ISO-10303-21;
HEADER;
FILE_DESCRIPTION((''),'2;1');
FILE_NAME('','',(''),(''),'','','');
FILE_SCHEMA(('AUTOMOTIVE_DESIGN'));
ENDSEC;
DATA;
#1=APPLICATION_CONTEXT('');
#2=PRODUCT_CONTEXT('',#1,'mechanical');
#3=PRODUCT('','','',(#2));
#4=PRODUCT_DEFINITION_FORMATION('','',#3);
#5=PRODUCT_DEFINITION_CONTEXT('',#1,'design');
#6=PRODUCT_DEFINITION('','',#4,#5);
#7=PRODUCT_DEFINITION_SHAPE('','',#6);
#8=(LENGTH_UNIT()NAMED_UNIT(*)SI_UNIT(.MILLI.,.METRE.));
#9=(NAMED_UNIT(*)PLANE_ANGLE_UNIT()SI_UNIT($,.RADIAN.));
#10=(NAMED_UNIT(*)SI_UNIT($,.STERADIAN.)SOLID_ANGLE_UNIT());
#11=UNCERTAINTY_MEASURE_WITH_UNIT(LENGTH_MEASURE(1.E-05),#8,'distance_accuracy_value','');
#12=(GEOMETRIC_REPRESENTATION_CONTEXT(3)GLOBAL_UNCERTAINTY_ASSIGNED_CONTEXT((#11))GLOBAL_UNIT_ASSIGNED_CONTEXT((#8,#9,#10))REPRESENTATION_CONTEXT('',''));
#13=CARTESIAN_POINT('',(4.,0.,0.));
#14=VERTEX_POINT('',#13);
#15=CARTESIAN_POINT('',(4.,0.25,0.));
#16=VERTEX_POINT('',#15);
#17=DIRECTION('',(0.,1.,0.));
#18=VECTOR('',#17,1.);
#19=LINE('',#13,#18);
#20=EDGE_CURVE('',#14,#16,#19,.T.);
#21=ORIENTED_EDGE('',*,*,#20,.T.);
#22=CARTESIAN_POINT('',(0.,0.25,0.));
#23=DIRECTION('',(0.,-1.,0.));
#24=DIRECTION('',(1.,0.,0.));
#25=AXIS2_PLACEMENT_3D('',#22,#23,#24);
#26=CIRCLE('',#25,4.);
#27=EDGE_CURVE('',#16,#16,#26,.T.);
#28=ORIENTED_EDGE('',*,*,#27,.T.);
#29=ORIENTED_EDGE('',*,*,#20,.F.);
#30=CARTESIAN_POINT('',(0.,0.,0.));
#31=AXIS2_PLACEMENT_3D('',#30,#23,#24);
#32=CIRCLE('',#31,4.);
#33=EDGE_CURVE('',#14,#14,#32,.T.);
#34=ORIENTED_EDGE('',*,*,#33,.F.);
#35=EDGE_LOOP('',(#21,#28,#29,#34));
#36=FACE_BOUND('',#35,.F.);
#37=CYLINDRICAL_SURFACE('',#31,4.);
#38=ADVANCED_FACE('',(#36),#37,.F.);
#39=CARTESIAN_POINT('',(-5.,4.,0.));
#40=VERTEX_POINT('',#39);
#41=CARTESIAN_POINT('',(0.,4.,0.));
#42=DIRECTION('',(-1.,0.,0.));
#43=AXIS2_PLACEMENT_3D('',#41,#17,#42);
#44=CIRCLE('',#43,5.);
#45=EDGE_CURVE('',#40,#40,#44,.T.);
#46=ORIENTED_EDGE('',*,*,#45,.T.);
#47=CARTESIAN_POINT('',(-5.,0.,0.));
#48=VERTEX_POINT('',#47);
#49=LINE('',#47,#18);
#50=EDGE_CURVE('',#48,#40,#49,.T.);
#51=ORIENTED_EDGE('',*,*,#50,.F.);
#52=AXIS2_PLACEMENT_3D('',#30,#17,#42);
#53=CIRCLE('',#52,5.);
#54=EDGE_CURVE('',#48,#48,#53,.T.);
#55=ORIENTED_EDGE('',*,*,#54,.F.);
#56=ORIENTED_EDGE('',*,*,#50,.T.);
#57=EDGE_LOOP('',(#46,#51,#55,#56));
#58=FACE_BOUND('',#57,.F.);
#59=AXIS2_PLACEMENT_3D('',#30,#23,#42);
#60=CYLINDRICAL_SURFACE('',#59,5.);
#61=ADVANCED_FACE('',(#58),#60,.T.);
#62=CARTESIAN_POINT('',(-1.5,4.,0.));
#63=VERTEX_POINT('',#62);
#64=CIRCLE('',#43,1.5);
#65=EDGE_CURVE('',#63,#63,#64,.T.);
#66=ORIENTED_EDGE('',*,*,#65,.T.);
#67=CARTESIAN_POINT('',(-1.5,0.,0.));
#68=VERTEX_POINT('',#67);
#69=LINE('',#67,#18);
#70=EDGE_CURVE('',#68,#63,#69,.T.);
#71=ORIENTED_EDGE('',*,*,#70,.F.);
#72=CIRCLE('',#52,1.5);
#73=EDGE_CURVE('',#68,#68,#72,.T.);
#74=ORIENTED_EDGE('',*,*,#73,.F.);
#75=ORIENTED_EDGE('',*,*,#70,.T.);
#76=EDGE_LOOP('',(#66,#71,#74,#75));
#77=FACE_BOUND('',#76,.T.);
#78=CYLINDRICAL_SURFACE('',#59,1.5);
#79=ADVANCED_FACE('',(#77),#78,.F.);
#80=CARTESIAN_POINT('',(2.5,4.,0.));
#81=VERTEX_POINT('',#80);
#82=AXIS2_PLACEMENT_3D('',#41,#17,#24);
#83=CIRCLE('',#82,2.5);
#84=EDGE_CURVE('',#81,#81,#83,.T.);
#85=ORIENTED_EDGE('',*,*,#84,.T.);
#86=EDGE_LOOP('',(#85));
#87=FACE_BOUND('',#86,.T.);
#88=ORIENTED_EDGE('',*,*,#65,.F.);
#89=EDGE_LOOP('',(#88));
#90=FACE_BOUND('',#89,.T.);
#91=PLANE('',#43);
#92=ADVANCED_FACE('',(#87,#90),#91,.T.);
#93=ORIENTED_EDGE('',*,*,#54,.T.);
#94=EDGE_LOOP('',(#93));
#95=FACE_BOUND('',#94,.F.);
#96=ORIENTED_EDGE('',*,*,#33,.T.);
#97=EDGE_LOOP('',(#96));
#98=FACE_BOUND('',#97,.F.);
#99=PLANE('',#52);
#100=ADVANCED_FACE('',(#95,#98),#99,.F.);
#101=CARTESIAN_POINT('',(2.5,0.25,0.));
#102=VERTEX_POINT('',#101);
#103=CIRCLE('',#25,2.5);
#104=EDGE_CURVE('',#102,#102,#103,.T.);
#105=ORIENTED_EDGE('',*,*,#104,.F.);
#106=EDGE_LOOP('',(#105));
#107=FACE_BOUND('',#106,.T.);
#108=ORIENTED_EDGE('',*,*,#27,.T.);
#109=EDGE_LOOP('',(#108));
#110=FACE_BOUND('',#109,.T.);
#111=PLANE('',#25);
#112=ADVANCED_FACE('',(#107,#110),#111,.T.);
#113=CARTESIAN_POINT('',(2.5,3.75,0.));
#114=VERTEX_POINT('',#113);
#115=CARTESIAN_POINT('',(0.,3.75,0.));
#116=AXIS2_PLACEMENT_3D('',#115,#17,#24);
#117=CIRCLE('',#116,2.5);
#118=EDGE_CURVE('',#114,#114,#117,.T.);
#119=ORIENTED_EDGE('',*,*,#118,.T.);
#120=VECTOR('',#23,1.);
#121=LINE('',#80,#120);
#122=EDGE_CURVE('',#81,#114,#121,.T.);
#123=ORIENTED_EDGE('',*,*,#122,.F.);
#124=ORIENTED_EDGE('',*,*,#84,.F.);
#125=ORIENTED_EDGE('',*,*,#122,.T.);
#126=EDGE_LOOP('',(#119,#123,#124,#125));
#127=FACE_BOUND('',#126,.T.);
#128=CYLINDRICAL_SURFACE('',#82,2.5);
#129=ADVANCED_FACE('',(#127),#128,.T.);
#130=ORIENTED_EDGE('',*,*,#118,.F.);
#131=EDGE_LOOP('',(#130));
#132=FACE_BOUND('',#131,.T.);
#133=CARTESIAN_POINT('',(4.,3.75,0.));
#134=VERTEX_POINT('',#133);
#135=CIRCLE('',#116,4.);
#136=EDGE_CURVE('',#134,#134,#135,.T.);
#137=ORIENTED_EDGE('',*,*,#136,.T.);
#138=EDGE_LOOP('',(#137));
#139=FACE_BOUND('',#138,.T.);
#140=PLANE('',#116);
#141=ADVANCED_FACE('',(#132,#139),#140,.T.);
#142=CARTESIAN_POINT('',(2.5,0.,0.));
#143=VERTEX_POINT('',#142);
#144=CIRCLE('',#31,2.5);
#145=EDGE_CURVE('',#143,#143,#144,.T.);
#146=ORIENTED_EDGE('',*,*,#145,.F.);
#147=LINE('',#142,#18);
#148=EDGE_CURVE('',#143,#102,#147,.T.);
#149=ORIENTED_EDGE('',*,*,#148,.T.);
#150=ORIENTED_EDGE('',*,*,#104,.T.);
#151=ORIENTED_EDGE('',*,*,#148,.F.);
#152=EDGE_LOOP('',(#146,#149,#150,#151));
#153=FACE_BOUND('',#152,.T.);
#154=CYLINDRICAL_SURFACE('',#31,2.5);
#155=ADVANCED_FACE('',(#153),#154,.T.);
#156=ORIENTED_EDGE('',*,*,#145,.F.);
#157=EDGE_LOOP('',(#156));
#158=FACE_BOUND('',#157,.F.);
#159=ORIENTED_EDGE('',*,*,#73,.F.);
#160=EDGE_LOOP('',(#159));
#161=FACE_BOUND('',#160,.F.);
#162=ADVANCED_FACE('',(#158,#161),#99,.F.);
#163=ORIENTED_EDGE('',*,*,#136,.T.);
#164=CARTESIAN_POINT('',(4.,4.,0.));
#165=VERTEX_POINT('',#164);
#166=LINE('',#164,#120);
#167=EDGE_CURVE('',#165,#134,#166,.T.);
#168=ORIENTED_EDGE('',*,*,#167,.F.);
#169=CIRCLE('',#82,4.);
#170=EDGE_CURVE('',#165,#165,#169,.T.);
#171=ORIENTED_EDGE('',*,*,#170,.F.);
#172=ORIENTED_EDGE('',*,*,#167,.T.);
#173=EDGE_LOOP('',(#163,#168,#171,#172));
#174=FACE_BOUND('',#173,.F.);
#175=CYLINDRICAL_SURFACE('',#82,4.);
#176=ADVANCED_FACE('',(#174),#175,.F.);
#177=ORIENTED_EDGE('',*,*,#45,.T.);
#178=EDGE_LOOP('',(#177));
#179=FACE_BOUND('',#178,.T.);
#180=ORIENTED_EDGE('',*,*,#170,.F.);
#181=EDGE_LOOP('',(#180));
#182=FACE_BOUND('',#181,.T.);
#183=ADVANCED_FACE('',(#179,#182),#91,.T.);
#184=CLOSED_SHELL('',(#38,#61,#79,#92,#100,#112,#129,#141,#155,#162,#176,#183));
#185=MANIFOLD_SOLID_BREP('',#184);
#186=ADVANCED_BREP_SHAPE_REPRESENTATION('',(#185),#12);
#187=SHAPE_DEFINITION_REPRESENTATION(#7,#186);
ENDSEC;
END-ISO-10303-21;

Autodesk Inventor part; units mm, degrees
ref_plane "YZ Plane" through (0, 0, 0) normal (1, 0, 0) x (0, 1, 0)
ref_plane "XZ Plane" through (0, 0, 0) normal (0, 1, 0) x (-1, 0, 0)
ref_plane "XY Plane" through (0, 0, 0) normal (0, 0, 1) x (1, 0, 0)
sketch "Sketch1" plane through (0, 0, 0) normal (0, 1, 0) x (-1, 0, 0)
  circle A0 centre (0, 0) radius 5
  circle A1 centre (0, 0) radius 1.5
  dimension "d0" = 10
  dimension "d1" = 3
extrude "Extrusion1" add sketch "Sketch1" along normal blind 4
sketch "Sketch2" plane through (0, 4, 0) normal (0, 1, 0) x (1, 0, 0)
  circle A0 centre (0, 0) radius 2.5
  circle A1 centre (0, 0) radius 4
  dimension "d4" = 5
  dimension "d5" = 8
extrude "Extrusion2" cut sketch "Sketch2" against normal blind 0.25
sketch "Sketch3" plane through (0, 0, 0) normal (0, -1, 0) x (1, 0, 0)
  circle A0 centre (0, 0) radius 2.5
  circle A1 centre (0, 0) radius 4
  dimension "d8" = 5
  dimension "d9" = 8
extrude "Extrusion3" cut sketch "Sketch3" against normal blind 0.25
properties part number "683ZZBallBearing"
